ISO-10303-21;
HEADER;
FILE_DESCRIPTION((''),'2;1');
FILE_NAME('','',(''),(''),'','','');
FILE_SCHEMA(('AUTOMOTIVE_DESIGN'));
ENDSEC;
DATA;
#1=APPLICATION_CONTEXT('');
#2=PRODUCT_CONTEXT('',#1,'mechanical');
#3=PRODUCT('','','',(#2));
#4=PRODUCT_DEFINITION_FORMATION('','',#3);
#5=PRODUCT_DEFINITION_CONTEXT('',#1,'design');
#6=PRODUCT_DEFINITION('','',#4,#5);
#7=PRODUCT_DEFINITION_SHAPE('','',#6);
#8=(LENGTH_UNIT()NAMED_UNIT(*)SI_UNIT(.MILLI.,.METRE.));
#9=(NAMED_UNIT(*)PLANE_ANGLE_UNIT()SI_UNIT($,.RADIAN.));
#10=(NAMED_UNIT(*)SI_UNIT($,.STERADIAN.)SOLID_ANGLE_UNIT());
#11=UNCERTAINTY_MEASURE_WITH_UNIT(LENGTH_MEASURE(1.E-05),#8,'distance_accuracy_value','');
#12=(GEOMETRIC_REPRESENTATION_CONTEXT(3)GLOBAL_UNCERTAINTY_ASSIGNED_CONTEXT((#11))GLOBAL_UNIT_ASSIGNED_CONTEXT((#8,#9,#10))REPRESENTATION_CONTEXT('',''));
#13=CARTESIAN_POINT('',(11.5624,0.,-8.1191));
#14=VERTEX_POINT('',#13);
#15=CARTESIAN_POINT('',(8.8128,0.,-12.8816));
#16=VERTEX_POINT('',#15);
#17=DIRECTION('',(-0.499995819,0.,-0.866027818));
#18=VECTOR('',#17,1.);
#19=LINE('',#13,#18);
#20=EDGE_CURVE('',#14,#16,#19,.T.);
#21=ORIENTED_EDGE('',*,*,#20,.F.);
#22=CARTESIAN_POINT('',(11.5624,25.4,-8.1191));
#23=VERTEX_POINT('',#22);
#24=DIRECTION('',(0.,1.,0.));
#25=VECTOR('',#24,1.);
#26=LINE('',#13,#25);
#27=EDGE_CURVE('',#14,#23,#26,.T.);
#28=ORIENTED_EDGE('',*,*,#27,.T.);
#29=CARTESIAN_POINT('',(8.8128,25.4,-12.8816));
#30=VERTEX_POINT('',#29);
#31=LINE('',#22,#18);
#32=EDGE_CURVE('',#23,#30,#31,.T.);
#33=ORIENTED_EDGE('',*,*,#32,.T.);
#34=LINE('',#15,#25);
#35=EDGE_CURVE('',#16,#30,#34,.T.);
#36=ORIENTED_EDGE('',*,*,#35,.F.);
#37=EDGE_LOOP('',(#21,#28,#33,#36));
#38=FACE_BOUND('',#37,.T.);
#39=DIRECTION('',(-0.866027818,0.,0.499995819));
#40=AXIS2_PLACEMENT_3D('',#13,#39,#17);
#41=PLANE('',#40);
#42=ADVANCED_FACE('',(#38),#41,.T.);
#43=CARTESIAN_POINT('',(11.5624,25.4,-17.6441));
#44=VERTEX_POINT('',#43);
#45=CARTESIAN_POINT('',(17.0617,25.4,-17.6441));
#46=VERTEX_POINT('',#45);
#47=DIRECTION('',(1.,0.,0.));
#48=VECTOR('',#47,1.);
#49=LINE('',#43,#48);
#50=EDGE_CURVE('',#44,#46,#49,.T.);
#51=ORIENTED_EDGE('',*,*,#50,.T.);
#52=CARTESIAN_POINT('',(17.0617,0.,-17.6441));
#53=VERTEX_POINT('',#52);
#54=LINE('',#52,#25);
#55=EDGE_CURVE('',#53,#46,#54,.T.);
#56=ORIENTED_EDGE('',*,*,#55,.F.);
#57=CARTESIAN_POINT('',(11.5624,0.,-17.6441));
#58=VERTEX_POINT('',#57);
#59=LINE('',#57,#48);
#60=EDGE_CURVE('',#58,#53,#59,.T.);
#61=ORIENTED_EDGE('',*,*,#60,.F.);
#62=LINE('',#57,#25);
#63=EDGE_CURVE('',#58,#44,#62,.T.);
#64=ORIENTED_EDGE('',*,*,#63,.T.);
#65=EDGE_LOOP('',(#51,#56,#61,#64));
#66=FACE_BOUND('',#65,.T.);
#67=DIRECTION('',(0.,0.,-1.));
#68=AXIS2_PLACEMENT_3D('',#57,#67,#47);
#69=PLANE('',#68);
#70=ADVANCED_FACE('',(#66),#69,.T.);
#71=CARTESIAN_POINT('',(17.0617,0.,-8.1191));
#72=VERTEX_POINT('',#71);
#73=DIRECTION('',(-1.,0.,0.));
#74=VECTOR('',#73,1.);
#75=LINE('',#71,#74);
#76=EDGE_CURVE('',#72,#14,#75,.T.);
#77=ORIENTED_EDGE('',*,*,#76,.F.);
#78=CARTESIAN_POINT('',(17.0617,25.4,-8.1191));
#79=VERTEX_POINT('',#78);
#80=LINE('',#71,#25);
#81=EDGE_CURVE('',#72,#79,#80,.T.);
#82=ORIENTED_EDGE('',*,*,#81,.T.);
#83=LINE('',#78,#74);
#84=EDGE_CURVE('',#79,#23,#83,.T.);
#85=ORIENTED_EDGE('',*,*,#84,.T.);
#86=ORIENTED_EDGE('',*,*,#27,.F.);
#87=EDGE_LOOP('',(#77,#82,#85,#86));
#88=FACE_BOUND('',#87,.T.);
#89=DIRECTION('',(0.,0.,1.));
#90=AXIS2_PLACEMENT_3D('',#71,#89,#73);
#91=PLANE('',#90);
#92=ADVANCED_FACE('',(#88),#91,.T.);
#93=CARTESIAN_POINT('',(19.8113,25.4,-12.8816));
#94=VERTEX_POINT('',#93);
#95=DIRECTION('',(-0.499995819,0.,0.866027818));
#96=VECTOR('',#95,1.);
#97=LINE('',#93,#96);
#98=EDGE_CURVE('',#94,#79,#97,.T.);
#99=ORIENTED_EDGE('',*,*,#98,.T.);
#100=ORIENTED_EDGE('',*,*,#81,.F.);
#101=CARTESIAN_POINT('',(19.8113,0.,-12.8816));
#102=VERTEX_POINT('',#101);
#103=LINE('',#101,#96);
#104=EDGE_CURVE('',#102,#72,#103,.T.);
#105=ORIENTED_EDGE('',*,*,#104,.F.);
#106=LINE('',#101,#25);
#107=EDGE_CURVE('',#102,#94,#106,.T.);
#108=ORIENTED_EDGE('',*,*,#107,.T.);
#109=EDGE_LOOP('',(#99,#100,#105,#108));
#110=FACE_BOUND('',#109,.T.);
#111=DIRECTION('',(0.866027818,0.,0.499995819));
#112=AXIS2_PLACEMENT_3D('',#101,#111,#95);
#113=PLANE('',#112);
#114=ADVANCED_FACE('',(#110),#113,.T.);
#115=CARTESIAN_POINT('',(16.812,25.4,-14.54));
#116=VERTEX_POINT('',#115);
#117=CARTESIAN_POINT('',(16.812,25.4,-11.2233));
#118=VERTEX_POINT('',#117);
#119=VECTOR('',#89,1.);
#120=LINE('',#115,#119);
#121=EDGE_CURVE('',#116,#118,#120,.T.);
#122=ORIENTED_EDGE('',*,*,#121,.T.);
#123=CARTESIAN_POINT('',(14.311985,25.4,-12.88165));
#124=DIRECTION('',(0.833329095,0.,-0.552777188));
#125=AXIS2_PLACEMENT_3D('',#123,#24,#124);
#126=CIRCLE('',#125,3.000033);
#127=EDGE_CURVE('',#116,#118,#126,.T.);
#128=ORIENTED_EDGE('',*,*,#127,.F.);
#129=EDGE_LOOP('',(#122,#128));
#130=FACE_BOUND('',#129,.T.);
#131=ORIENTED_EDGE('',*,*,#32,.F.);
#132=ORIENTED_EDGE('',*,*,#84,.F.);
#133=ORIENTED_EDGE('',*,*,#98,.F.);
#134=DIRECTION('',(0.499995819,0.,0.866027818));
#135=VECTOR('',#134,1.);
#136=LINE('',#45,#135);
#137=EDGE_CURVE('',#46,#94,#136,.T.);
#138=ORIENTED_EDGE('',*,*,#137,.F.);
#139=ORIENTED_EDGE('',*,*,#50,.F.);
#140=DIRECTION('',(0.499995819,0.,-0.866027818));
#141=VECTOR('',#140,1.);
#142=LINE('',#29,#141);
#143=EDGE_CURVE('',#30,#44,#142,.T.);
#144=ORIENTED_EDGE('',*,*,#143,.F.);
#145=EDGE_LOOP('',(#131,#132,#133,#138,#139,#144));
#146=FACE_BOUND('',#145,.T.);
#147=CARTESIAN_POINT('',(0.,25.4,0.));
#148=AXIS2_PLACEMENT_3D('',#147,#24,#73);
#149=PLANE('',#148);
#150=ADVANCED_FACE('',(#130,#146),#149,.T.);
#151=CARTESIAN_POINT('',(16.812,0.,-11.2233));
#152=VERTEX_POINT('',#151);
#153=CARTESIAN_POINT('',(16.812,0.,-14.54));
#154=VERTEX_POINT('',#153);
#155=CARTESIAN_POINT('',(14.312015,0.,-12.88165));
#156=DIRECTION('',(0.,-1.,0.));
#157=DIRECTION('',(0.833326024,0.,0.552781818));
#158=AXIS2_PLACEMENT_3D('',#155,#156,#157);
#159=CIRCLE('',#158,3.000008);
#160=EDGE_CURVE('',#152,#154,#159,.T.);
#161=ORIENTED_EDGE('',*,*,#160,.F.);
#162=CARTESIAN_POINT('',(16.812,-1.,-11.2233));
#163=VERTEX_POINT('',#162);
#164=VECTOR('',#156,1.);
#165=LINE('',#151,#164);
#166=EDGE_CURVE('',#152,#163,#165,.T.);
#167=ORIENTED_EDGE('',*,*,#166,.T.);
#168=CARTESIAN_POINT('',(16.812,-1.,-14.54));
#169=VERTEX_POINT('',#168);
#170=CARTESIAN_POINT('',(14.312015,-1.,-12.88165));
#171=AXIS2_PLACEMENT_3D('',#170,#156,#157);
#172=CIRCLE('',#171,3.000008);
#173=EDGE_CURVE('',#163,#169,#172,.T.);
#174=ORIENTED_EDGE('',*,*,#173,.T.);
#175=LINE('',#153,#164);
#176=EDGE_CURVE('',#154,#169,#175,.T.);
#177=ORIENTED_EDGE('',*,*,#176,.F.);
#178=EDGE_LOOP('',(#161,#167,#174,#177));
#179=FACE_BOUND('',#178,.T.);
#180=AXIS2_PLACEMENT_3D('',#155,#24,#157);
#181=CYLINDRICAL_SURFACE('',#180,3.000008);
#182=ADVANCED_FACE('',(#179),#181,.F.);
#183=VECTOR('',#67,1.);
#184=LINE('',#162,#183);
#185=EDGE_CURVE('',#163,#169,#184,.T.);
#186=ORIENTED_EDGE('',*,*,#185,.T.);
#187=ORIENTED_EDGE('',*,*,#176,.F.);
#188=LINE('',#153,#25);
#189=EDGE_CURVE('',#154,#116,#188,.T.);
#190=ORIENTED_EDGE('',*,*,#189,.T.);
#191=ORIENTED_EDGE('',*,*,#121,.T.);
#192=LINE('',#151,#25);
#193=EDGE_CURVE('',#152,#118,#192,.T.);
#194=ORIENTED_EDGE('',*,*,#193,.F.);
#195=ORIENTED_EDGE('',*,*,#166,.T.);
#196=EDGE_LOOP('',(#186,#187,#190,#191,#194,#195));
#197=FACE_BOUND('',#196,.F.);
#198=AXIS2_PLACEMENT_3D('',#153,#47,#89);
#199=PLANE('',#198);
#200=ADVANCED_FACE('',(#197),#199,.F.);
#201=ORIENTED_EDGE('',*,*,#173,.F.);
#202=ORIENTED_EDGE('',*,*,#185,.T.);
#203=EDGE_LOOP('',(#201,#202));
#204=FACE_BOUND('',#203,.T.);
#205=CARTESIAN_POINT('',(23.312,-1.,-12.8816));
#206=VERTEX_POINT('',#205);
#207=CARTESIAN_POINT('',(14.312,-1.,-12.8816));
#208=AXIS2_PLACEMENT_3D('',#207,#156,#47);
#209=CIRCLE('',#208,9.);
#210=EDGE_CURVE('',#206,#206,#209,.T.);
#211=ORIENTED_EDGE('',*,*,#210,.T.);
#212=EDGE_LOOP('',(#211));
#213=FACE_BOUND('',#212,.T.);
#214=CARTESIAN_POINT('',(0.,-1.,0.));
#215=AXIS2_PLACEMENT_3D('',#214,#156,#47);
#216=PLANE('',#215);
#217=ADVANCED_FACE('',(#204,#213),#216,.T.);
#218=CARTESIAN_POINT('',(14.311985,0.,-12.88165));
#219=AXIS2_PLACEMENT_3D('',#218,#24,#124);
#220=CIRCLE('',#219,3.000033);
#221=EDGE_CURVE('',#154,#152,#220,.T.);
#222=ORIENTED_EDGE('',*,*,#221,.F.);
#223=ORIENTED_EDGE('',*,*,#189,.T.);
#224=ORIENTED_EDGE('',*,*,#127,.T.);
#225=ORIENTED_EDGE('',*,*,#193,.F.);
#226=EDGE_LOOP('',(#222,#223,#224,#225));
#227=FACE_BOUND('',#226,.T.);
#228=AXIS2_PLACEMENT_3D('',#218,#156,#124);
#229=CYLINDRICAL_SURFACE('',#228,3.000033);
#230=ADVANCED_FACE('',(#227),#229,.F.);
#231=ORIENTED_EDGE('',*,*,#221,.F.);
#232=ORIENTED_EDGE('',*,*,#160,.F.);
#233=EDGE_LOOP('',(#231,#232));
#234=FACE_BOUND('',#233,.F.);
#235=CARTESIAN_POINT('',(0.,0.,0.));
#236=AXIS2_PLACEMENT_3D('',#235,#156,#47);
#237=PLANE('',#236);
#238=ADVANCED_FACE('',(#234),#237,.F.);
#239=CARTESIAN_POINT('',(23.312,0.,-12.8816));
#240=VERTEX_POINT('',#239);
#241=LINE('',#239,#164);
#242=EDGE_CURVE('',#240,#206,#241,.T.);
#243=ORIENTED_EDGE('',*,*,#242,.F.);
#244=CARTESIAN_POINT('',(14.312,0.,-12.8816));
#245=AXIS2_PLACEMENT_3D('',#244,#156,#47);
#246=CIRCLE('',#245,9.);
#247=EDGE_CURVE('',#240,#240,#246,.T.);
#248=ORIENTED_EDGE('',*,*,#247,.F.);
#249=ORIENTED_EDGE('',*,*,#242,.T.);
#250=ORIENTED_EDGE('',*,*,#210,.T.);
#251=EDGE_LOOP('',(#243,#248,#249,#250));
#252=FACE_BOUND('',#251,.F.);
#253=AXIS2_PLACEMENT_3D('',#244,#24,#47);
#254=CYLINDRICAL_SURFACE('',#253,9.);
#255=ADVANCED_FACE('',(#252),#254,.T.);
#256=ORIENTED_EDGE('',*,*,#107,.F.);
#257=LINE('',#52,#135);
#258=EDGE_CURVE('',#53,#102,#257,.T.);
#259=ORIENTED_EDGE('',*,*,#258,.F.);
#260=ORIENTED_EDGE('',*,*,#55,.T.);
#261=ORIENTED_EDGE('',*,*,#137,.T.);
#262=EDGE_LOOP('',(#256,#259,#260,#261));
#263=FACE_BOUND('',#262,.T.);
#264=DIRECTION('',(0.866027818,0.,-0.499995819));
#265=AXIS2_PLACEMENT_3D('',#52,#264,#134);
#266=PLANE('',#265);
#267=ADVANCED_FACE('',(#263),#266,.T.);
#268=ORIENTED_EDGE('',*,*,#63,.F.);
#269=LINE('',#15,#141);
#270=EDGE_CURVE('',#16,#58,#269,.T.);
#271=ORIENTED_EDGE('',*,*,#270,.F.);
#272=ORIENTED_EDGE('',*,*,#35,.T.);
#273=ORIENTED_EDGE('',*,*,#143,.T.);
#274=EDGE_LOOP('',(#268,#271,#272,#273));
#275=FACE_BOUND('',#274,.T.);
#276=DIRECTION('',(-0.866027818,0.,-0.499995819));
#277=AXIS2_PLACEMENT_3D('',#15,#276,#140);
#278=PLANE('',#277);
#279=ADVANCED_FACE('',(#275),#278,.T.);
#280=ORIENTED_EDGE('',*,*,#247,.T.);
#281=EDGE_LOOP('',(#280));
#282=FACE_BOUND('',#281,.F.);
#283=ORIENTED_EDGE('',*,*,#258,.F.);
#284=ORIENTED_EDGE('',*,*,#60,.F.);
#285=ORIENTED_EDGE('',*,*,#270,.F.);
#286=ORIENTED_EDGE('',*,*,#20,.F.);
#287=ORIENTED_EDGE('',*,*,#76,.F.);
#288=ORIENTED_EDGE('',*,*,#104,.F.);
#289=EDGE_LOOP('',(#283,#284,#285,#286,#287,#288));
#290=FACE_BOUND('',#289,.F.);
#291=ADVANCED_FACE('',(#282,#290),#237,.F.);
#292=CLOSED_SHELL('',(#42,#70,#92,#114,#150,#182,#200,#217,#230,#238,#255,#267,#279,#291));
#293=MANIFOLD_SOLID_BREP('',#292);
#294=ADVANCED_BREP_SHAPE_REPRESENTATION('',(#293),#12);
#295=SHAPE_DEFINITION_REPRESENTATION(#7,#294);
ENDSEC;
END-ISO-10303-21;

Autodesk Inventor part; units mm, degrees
ref_plane "YZ Plane" through (0, 0, 0) normal (1, 0, 0) x (0, 1, 0)
ref_plane "XZ Plane" through (0, 0, 0) normal (0, 1, 0) x (-1, 0, 0)
ref_plane "XY Plane" through (0, 0, 0) normal (0, 0, 1) x (1, 0, 0)
sketch "Sketch1" plane through (0, 0, 0) normal (0, 1, 0) x (-1, 0, 0)
  line L0 (-11.5624, -8.1191) -> (-8.8128, -12.8816)
  line L1 (-8.8128, -12.8816) -> (-11.5624, -17.6441)
  line L2 (-11.5624, -17.6441) -> (-17.0617, -17.6441)
  line L3 (-17.0617, -17.6441) -> (-19.8113, -12.8816)
  line L4 (-19.8113, -12.8816) -> (-17.0617, -8.1191)
  line L5 (-17.0617, -8.1191) -> (-11.5624, -8.1191)
  line L6 (0, 0) -> (-27.888, 0) construction
  arc A0 (-16.812, -14.54) -> (-16.812, -11.2233) centre (-14.312, -12.8816) ccw
  line L7 (-16.812, -14.54) -> (-16.812, -11.2233)
  dimension "d0" = 9.525
  dimension "d1" = 6
  dimension "d2" = 5.5
extrude "Extrusion1" add sketch "Sketch1" along normal blind 25.4
sketch "Sketch2" plane through (0, 0, 0) normal (0, -1, 0) x (1, 0, 0)
  circle A0 centre (14.312, -12.8816) radius 9
  arc A1 (16.812, -11.2233) -> (16.812, -14.54) centre (14.312, -12.8816) ccw projected
  arc A2 (16.812, -11.2233) -> (16.812, -14.54) centre (14.312, -12.8816) ccw
  line L0 (16.812, -11.2233) -> (16.812, -14.54)
  point P0 (0, 0)
  point P1 (16.812, -14.54)
  dimension "d5" = 18
  dimension "d6" = 6
  dimension "d7" = 5.5
extrude "Extrusion2" add sketch "Sketch2" along normal blind 1
properties part number "pressfit"
